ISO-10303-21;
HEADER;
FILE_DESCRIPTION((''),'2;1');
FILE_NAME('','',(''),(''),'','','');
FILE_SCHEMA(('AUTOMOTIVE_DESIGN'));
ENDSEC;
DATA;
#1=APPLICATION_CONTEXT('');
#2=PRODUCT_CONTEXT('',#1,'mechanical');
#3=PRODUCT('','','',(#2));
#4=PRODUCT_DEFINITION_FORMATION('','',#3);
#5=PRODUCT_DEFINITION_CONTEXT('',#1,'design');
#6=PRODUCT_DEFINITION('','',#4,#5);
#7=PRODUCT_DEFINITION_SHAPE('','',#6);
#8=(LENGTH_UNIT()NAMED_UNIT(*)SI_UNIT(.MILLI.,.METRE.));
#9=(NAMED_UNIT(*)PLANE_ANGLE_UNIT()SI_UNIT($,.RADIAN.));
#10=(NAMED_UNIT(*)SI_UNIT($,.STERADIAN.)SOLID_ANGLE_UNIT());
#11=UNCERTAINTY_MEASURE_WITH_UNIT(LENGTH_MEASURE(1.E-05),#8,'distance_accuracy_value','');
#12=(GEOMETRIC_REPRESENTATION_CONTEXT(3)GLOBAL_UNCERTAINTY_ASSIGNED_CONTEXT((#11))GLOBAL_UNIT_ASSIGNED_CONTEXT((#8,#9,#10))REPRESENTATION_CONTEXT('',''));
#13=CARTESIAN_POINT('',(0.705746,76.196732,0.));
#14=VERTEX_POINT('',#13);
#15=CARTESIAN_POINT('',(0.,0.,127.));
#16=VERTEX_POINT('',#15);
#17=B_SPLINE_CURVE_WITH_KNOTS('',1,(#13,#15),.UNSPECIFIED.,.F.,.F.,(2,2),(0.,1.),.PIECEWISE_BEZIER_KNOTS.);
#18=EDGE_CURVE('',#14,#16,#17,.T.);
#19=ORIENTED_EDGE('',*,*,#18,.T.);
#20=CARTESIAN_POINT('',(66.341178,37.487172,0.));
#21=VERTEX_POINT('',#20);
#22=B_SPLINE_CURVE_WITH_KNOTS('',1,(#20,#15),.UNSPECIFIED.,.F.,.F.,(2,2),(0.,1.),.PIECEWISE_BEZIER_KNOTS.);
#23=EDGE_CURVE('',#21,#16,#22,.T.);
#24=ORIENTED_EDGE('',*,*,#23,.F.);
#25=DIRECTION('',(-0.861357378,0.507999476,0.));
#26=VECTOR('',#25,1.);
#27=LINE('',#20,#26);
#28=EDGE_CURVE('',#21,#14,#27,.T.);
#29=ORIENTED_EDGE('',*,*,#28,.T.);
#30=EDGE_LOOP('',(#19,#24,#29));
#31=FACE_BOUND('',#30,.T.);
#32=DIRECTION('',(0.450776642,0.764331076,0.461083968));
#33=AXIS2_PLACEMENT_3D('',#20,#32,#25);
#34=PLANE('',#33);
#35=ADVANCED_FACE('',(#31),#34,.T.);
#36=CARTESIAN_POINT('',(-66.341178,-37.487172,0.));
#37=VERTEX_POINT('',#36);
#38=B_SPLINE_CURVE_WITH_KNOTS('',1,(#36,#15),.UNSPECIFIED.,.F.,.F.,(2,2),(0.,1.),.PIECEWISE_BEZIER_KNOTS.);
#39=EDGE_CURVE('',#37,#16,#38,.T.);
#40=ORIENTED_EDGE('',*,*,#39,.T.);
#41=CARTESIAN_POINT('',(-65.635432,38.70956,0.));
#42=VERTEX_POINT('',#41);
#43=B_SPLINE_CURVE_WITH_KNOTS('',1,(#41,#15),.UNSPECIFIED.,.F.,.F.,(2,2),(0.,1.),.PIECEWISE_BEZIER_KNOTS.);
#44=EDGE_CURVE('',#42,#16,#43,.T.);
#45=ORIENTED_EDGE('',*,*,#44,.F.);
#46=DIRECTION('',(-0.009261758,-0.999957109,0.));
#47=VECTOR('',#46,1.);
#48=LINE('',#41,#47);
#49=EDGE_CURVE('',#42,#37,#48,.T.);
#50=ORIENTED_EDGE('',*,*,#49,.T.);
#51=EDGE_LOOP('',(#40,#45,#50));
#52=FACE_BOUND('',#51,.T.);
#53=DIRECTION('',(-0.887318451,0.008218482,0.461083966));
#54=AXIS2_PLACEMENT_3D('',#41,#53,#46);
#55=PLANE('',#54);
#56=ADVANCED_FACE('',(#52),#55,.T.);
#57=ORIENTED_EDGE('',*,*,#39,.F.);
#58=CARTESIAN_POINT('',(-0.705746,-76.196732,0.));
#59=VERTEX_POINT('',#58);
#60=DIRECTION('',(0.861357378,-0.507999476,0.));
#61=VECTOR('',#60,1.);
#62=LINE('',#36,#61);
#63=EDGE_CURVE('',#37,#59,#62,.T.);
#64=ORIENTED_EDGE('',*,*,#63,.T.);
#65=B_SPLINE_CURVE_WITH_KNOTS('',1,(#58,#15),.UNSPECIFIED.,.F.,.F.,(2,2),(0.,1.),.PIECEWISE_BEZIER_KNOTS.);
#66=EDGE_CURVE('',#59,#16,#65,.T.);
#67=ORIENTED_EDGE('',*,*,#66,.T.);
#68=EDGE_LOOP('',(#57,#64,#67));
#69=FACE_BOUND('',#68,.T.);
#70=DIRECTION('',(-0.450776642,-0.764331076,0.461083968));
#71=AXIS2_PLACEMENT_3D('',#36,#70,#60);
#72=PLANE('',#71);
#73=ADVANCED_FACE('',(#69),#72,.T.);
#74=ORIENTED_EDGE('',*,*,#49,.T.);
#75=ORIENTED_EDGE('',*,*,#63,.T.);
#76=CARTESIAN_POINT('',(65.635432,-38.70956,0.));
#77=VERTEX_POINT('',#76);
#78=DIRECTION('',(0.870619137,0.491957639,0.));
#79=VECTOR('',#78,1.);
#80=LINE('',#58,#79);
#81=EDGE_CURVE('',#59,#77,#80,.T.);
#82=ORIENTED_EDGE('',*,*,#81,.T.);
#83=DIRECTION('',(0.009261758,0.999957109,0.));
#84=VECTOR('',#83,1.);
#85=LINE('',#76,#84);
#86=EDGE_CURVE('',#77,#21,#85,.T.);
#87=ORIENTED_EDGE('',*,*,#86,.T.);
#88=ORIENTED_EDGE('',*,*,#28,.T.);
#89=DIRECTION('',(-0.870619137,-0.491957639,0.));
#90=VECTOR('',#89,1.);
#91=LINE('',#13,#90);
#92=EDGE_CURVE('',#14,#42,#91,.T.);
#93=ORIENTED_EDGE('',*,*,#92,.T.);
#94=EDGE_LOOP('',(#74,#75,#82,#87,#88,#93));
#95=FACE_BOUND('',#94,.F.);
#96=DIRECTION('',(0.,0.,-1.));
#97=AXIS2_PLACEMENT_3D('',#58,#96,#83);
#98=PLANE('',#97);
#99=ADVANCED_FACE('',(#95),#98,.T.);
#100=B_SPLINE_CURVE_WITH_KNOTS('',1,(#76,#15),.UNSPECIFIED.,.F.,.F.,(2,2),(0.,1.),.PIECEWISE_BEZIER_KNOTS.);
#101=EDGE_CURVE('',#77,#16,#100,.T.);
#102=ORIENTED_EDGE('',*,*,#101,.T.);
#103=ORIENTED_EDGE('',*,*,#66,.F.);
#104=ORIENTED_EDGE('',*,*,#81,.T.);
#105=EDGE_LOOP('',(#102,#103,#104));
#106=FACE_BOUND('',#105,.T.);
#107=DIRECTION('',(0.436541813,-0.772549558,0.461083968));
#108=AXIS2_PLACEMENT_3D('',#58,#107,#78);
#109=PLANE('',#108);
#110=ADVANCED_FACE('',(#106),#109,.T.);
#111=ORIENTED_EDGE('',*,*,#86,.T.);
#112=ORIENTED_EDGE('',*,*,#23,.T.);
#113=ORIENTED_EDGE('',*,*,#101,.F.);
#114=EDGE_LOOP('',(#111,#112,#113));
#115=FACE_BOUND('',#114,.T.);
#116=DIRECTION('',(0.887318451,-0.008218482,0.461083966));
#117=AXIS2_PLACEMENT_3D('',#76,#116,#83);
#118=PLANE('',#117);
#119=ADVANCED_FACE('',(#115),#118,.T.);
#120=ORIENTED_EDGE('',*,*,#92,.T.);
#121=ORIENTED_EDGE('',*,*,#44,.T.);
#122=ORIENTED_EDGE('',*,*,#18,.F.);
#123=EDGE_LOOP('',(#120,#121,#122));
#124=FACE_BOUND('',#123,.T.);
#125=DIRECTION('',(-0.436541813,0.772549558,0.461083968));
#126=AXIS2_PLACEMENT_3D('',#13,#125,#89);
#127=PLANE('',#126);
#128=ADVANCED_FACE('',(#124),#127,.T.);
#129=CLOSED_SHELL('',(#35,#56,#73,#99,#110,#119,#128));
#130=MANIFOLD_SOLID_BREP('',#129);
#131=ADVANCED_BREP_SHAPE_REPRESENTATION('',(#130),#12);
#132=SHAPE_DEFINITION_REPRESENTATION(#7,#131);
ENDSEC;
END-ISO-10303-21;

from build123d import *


with BuildPart() as f3:
    # F0 (on Top) → F3 section 0
    with BuildSketch(Plane.XY, mode=Mode.PRIVATE) as f3_s0:
        Polygon((-0.705746, -76.196732), (65.635432, -38.70956), (66.341178, 37.487172), (0.705746, 76.196732), (-65.635432, 38.70956), (-66.341178, -37.487172), align=None)
    loft([f3_s0.sketch, Vertex(0, 0, 127)])


solid = f3.part
